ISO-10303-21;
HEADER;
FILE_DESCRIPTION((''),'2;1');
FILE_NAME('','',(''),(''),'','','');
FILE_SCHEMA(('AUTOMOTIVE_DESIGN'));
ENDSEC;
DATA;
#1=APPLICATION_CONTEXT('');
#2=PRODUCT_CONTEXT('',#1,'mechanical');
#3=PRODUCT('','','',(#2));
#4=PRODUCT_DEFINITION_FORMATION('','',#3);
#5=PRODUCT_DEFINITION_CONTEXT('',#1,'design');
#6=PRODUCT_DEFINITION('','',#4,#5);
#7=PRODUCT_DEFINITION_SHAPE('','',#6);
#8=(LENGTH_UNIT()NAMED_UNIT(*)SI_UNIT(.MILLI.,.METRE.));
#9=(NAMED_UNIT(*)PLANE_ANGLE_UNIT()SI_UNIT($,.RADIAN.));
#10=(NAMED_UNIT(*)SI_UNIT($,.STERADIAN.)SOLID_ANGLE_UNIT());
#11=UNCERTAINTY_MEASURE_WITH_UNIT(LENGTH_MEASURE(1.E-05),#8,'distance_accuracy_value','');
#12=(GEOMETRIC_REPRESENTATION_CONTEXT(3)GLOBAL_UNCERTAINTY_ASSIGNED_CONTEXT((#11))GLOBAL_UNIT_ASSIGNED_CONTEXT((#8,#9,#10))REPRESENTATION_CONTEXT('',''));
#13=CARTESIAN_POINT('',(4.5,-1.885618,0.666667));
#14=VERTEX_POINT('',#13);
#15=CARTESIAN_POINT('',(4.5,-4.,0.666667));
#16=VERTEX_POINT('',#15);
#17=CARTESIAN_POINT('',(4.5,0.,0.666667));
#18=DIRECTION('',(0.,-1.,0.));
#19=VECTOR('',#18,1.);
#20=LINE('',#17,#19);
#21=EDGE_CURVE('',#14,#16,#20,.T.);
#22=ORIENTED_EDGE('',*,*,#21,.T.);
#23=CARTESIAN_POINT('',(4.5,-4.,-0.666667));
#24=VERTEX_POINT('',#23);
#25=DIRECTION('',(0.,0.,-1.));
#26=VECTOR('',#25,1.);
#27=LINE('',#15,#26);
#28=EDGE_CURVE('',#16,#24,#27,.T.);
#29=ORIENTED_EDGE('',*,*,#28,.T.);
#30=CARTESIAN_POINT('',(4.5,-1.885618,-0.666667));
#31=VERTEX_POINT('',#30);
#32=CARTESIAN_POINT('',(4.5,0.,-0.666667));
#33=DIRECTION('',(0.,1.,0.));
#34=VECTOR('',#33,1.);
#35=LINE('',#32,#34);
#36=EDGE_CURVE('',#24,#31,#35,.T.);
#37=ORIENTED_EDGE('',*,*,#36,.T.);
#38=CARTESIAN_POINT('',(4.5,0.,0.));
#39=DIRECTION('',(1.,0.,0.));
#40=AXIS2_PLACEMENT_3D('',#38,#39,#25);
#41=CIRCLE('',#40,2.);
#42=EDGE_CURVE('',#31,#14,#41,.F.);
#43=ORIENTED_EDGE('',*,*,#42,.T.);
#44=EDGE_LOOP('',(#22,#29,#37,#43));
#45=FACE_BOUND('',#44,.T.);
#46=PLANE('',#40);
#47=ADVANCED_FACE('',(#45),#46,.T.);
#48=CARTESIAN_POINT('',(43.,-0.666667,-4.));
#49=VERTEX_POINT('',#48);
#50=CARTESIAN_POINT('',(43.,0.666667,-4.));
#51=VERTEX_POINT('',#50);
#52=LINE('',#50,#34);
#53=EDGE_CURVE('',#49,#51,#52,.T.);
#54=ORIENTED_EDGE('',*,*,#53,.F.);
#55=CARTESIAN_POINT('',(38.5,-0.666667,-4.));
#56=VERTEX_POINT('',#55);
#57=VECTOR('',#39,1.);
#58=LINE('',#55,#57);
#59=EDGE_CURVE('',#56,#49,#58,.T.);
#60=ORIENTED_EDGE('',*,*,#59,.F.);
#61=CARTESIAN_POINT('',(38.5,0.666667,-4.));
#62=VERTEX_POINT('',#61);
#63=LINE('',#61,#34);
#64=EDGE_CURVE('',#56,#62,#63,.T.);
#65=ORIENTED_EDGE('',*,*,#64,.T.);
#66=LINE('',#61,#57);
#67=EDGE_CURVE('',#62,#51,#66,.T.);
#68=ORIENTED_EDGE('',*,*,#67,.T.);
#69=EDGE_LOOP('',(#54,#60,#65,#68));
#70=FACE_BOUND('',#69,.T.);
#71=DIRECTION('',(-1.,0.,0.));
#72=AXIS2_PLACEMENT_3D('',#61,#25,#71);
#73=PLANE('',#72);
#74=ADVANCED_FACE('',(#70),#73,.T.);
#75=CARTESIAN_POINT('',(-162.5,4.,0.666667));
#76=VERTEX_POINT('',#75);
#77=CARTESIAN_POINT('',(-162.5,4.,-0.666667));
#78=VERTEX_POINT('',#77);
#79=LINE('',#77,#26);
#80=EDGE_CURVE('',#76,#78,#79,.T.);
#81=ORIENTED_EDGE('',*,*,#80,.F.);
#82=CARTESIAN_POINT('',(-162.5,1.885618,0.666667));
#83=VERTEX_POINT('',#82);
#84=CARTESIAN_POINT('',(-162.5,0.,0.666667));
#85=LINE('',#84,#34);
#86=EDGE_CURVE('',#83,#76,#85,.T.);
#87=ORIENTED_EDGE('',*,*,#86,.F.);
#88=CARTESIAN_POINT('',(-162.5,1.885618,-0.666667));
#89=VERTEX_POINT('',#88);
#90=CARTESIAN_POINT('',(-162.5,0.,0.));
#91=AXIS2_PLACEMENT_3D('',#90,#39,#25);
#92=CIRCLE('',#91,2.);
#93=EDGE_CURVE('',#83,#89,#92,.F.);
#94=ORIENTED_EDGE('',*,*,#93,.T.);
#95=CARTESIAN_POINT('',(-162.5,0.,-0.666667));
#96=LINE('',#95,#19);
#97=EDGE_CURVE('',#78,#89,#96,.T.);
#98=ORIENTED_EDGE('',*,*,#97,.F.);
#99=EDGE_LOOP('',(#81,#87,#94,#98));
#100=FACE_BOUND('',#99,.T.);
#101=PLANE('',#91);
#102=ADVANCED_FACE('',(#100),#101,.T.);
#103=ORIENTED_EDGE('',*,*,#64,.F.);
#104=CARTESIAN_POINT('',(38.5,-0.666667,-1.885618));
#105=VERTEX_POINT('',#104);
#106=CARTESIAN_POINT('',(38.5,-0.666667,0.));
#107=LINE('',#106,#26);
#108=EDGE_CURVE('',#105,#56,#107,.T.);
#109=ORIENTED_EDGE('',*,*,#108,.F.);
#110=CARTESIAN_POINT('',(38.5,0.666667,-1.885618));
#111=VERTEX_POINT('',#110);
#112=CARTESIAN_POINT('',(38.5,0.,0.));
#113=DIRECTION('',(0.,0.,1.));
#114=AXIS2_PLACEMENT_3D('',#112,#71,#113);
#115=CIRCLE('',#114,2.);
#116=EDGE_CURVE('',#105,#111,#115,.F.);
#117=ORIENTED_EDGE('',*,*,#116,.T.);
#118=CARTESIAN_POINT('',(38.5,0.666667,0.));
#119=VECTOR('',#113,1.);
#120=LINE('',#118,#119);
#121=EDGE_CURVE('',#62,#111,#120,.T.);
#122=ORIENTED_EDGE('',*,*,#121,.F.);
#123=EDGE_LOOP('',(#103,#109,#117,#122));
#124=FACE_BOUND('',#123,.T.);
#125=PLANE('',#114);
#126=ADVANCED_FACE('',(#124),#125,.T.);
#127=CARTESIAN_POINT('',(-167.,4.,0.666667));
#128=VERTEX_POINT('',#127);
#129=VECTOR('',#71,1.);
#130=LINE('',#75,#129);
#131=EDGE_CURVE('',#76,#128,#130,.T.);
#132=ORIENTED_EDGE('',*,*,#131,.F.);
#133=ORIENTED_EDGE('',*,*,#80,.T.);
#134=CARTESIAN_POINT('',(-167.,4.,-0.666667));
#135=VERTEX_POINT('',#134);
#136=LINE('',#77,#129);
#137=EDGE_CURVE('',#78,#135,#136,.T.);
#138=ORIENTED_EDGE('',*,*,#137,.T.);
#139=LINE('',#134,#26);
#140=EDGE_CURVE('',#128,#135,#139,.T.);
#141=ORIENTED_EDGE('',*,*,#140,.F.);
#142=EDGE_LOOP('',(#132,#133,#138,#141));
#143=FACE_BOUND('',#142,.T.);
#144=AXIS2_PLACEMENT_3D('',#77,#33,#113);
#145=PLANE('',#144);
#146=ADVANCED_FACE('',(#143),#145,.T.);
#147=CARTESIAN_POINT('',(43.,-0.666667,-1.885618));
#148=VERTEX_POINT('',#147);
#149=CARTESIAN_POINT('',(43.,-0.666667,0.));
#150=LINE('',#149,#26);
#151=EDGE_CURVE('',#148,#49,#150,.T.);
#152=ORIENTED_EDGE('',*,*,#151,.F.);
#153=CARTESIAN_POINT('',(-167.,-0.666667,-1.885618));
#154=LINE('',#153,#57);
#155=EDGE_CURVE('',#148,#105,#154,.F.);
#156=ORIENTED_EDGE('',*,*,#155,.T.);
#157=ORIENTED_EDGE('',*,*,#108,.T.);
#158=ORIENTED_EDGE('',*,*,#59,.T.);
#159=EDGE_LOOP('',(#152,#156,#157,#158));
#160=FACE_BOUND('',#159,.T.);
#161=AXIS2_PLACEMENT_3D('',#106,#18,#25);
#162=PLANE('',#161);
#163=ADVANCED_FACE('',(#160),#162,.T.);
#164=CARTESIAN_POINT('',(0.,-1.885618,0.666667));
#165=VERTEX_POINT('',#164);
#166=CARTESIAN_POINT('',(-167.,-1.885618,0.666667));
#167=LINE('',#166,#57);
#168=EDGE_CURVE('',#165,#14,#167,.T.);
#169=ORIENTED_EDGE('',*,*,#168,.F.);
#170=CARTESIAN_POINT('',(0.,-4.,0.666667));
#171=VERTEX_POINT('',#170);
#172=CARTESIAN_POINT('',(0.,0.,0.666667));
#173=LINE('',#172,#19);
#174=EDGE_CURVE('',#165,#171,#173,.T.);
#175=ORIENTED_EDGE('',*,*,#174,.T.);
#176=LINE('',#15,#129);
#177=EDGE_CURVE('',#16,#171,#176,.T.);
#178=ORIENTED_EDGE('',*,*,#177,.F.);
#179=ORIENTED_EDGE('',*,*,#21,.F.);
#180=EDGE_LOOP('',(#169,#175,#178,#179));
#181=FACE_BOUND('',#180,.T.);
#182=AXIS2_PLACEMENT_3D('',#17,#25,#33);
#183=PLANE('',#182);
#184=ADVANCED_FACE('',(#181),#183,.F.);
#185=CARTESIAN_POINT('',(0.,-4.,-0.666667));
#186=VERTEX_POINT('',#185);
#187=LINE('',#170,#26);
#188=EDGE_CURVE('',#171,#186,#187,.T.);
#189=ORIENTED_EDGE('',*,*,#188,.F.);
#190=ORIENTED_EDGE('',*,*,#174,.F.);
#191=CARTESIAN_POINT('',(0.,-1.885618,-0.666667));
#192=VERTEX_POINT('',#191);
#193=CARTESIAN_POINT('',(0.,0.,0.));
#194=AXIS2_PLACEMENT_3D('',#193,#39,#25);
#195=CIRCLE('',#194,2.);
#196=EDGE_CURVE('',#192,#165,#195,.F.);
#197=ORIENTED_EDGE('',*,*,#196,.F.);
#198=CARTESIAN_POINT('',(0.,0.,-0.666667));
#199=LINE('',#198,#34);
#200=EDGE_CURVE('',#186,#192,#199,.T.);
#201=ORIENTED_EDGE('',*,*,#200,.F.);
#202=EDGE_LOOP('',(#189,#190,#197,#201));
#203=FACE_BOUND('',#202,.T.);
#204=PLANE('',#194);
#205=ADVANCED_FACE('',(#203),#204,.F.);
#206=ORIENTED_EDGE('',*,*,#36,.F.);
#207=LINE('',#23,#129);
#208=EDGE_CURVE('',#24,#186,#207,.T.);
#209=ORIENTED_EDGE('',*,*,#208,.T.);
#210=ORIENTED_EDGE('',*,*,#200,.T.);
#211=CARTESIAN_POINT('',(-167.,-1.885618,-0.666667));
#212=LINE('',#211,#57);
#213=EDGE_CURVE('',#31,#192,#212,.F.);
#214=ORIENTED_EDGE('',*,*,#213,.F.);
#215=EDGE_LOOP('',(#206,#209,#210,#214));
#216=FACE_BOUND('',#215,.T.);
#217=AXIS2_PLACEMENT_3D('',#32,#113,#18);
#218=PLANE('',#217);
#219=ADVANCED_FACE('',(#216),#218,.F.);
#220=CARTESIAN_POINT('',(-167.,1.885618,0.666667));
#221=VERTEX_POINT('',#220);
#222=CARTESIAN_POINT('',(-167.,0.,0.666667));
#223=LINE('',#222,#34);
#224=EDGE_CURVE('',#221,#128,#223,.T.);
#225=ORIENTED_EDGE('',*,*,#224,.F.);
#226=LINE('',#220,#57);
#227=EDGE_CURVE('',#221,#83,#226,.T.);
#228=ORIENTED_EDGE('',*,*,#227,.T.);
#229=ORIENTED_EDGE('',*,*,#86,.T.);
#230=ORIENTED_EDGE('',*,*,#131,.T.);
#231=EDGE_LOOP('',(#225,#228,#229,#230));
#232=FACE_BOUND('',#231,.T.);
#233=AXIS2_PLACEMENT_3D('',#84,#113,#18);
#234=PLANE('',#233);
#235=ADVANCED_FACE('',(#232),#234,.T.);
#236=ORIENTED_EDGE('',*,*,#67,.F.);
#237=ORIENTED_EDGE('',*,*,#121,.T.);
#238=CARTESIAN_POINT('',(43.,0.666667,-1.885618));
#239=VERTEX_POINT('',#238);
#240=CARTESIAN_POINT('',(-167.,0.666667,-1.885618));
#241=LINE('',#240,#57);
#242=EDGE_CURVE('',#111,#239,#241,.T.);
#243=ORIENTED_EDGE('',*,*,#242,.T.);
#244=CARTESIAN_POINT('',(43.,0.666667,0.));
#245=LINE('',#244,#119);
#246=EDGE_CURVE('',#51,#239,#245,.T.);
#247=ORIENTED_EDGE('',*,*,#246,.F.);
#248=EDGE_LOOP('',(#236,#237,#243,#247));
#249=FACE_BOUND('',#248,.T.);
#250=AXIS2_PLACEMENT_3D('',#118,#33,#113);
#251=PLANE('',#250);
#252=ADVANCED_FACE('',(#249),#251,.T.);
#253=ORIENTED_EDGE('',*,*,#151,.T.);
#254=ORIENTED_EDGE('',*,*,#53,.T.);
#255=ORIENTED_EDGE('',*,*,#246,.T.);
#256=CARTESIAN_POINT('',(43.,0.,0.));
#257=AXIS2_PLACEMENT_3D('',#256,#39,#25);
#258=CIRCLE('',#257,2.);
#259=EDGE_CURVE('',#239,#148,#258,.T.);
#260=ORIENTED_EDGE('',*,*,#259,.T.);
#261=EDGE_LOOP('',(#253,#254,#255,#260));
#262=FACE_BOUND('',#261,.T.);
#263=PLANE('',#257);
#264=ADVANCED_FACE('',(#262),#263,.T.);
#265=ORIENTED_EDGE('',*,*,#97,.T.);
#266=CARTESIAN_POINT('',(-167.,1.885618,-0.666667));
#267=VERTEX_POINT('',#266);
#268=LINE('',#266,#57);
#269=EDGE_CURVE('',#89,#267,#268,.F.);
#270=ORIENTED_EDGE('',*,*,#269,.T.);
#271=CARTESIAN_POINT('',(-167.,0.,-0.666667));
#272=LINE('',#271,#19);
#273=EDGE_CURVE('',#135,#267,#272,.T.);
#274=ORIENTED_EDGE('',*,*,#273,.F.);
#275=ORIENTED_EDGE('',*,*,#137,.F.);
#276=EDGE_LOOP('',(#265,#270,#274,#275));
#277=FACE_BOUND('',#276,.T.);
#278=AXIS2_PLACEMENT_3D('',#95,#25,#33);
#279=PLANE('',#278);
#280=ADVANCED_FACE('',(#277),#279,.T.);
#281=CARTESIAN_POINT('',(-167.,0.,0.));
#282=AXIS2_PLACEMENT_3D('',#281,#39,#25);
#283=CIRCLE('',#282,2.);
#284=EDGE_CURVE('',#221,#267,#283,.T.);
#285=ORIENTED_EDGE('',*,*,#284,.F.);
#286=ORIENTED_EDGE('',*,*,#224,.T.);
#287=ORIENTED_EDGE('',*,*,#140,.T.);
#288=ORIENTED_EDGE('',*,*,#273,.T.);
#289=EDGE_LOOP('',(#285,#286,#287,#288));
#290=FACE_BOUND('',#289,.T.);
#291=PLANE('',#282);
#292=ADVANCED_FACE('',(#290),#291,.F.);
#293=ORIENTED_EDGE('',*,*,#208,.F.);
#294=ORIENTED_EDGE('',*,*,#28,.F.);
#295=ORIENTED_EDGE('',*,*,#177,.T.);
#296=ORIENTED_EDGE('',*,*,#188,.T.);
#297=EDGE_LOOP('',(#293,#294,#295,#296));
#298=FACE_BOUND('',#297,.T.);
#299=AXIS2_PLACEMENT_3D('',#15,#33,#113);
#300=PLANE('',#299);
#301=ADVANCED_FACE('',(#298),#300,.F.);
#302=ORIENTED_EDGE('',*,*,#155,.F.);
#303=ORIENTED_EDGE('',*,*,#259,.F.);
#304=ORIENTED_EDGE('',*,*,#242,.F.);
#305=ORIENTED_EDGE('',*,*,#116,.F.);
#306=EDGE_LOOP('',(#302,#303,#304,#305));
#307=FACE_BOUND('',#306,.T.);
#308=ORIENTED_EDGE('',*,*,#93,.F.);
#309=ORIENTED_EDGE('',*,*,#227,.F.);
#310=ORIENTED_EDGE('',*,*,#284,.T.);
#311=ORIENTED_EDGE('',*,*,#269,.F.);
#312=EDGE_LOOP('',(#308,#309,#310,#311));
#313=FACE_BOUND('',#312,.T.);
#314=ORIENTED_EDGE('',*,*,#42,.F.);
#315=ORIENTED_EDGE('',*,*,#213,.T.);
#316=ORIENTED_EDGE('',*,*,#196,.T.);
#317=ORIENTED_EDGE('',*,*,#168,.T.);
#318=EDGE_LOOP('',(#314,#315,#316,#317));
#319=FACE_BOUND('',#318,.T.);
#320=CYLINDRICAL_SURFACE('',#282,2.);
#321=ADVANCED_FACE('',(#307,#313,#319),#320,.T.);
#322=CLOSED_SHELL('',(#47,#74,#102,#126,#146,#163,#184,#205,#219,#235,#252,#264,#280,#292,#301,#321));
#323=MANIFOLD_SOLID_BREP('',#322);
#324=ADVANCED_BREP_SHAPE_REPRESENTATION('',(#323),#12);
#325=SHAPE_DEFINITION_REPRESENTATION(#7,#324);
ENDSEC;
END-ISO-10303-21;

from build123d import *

# Parameters (mm, degrees)
SHAFT_DEPTH      = 43
SHAFT_DEPTH_BACK = 167
SKETCH1_R        = 2
SKETCH2_W        = 1.333333334
SKETCH2_H        = 4
SHAFT_M_DEPTH    = 4.5
SKETCH4_W        = 4
SKETCH4_H        = 1.333333334
SHAFT_R_DEPTH    = 4.5
SKETCH6_W        = 1.333333334
SKETCH6_H        = 4
SHAFT_L_DEPTH    = 4.5


with BuildPart() as part:
    # Sketch1 → Shaft (new, two sides: drawn at the far end of the back side and taken through both)
    with BuildSketch(Plane(origin=(0, 0, 0), x_dir=(0, 0, -1), z_dir=(1, 0, 0)).offset(-SHAFT_DEPTH_BACK)):
        Circle(SKETCH1_R)
    extrude(amount=SHAFT_DEPTH + SHAFT_DEPTH_BACK)

    # Sketch2 → Shaft M (add)
    with BuildSketch(Plane.ZY.offset(167)):
        with Locations((0, 2)):
            Rectangle(SKETCH2_W, SKETCH2_H)
    extrude(amount=-SHAFT_M_DEPTH)

    # Sketch4 → Shaft R (add)
    with BuildSketch(Plane(origin=(43, 0, 0), x_dir=(0, 0, -1), z_dir=(1, 0, 0))):
        with Locations((2, 0)):
            Rectangle(SKETCH4_W, SKETCH4_H)
    extrude(amount=-SHAFT_R_DEPTH)

    # Sketch6 → Shaft L (add)
    with BuildSketch(Plane(origin=(0, 0, 0), x_dir=(0, 0, -1), z_dir=(1, 0, 0))):
        with Locations((0, -2)):
            Rectangle(SKETCH6_W, SKETCH6_H)
    extrude(amount=SHAFT_L_DEPTH)


solid = part.part
